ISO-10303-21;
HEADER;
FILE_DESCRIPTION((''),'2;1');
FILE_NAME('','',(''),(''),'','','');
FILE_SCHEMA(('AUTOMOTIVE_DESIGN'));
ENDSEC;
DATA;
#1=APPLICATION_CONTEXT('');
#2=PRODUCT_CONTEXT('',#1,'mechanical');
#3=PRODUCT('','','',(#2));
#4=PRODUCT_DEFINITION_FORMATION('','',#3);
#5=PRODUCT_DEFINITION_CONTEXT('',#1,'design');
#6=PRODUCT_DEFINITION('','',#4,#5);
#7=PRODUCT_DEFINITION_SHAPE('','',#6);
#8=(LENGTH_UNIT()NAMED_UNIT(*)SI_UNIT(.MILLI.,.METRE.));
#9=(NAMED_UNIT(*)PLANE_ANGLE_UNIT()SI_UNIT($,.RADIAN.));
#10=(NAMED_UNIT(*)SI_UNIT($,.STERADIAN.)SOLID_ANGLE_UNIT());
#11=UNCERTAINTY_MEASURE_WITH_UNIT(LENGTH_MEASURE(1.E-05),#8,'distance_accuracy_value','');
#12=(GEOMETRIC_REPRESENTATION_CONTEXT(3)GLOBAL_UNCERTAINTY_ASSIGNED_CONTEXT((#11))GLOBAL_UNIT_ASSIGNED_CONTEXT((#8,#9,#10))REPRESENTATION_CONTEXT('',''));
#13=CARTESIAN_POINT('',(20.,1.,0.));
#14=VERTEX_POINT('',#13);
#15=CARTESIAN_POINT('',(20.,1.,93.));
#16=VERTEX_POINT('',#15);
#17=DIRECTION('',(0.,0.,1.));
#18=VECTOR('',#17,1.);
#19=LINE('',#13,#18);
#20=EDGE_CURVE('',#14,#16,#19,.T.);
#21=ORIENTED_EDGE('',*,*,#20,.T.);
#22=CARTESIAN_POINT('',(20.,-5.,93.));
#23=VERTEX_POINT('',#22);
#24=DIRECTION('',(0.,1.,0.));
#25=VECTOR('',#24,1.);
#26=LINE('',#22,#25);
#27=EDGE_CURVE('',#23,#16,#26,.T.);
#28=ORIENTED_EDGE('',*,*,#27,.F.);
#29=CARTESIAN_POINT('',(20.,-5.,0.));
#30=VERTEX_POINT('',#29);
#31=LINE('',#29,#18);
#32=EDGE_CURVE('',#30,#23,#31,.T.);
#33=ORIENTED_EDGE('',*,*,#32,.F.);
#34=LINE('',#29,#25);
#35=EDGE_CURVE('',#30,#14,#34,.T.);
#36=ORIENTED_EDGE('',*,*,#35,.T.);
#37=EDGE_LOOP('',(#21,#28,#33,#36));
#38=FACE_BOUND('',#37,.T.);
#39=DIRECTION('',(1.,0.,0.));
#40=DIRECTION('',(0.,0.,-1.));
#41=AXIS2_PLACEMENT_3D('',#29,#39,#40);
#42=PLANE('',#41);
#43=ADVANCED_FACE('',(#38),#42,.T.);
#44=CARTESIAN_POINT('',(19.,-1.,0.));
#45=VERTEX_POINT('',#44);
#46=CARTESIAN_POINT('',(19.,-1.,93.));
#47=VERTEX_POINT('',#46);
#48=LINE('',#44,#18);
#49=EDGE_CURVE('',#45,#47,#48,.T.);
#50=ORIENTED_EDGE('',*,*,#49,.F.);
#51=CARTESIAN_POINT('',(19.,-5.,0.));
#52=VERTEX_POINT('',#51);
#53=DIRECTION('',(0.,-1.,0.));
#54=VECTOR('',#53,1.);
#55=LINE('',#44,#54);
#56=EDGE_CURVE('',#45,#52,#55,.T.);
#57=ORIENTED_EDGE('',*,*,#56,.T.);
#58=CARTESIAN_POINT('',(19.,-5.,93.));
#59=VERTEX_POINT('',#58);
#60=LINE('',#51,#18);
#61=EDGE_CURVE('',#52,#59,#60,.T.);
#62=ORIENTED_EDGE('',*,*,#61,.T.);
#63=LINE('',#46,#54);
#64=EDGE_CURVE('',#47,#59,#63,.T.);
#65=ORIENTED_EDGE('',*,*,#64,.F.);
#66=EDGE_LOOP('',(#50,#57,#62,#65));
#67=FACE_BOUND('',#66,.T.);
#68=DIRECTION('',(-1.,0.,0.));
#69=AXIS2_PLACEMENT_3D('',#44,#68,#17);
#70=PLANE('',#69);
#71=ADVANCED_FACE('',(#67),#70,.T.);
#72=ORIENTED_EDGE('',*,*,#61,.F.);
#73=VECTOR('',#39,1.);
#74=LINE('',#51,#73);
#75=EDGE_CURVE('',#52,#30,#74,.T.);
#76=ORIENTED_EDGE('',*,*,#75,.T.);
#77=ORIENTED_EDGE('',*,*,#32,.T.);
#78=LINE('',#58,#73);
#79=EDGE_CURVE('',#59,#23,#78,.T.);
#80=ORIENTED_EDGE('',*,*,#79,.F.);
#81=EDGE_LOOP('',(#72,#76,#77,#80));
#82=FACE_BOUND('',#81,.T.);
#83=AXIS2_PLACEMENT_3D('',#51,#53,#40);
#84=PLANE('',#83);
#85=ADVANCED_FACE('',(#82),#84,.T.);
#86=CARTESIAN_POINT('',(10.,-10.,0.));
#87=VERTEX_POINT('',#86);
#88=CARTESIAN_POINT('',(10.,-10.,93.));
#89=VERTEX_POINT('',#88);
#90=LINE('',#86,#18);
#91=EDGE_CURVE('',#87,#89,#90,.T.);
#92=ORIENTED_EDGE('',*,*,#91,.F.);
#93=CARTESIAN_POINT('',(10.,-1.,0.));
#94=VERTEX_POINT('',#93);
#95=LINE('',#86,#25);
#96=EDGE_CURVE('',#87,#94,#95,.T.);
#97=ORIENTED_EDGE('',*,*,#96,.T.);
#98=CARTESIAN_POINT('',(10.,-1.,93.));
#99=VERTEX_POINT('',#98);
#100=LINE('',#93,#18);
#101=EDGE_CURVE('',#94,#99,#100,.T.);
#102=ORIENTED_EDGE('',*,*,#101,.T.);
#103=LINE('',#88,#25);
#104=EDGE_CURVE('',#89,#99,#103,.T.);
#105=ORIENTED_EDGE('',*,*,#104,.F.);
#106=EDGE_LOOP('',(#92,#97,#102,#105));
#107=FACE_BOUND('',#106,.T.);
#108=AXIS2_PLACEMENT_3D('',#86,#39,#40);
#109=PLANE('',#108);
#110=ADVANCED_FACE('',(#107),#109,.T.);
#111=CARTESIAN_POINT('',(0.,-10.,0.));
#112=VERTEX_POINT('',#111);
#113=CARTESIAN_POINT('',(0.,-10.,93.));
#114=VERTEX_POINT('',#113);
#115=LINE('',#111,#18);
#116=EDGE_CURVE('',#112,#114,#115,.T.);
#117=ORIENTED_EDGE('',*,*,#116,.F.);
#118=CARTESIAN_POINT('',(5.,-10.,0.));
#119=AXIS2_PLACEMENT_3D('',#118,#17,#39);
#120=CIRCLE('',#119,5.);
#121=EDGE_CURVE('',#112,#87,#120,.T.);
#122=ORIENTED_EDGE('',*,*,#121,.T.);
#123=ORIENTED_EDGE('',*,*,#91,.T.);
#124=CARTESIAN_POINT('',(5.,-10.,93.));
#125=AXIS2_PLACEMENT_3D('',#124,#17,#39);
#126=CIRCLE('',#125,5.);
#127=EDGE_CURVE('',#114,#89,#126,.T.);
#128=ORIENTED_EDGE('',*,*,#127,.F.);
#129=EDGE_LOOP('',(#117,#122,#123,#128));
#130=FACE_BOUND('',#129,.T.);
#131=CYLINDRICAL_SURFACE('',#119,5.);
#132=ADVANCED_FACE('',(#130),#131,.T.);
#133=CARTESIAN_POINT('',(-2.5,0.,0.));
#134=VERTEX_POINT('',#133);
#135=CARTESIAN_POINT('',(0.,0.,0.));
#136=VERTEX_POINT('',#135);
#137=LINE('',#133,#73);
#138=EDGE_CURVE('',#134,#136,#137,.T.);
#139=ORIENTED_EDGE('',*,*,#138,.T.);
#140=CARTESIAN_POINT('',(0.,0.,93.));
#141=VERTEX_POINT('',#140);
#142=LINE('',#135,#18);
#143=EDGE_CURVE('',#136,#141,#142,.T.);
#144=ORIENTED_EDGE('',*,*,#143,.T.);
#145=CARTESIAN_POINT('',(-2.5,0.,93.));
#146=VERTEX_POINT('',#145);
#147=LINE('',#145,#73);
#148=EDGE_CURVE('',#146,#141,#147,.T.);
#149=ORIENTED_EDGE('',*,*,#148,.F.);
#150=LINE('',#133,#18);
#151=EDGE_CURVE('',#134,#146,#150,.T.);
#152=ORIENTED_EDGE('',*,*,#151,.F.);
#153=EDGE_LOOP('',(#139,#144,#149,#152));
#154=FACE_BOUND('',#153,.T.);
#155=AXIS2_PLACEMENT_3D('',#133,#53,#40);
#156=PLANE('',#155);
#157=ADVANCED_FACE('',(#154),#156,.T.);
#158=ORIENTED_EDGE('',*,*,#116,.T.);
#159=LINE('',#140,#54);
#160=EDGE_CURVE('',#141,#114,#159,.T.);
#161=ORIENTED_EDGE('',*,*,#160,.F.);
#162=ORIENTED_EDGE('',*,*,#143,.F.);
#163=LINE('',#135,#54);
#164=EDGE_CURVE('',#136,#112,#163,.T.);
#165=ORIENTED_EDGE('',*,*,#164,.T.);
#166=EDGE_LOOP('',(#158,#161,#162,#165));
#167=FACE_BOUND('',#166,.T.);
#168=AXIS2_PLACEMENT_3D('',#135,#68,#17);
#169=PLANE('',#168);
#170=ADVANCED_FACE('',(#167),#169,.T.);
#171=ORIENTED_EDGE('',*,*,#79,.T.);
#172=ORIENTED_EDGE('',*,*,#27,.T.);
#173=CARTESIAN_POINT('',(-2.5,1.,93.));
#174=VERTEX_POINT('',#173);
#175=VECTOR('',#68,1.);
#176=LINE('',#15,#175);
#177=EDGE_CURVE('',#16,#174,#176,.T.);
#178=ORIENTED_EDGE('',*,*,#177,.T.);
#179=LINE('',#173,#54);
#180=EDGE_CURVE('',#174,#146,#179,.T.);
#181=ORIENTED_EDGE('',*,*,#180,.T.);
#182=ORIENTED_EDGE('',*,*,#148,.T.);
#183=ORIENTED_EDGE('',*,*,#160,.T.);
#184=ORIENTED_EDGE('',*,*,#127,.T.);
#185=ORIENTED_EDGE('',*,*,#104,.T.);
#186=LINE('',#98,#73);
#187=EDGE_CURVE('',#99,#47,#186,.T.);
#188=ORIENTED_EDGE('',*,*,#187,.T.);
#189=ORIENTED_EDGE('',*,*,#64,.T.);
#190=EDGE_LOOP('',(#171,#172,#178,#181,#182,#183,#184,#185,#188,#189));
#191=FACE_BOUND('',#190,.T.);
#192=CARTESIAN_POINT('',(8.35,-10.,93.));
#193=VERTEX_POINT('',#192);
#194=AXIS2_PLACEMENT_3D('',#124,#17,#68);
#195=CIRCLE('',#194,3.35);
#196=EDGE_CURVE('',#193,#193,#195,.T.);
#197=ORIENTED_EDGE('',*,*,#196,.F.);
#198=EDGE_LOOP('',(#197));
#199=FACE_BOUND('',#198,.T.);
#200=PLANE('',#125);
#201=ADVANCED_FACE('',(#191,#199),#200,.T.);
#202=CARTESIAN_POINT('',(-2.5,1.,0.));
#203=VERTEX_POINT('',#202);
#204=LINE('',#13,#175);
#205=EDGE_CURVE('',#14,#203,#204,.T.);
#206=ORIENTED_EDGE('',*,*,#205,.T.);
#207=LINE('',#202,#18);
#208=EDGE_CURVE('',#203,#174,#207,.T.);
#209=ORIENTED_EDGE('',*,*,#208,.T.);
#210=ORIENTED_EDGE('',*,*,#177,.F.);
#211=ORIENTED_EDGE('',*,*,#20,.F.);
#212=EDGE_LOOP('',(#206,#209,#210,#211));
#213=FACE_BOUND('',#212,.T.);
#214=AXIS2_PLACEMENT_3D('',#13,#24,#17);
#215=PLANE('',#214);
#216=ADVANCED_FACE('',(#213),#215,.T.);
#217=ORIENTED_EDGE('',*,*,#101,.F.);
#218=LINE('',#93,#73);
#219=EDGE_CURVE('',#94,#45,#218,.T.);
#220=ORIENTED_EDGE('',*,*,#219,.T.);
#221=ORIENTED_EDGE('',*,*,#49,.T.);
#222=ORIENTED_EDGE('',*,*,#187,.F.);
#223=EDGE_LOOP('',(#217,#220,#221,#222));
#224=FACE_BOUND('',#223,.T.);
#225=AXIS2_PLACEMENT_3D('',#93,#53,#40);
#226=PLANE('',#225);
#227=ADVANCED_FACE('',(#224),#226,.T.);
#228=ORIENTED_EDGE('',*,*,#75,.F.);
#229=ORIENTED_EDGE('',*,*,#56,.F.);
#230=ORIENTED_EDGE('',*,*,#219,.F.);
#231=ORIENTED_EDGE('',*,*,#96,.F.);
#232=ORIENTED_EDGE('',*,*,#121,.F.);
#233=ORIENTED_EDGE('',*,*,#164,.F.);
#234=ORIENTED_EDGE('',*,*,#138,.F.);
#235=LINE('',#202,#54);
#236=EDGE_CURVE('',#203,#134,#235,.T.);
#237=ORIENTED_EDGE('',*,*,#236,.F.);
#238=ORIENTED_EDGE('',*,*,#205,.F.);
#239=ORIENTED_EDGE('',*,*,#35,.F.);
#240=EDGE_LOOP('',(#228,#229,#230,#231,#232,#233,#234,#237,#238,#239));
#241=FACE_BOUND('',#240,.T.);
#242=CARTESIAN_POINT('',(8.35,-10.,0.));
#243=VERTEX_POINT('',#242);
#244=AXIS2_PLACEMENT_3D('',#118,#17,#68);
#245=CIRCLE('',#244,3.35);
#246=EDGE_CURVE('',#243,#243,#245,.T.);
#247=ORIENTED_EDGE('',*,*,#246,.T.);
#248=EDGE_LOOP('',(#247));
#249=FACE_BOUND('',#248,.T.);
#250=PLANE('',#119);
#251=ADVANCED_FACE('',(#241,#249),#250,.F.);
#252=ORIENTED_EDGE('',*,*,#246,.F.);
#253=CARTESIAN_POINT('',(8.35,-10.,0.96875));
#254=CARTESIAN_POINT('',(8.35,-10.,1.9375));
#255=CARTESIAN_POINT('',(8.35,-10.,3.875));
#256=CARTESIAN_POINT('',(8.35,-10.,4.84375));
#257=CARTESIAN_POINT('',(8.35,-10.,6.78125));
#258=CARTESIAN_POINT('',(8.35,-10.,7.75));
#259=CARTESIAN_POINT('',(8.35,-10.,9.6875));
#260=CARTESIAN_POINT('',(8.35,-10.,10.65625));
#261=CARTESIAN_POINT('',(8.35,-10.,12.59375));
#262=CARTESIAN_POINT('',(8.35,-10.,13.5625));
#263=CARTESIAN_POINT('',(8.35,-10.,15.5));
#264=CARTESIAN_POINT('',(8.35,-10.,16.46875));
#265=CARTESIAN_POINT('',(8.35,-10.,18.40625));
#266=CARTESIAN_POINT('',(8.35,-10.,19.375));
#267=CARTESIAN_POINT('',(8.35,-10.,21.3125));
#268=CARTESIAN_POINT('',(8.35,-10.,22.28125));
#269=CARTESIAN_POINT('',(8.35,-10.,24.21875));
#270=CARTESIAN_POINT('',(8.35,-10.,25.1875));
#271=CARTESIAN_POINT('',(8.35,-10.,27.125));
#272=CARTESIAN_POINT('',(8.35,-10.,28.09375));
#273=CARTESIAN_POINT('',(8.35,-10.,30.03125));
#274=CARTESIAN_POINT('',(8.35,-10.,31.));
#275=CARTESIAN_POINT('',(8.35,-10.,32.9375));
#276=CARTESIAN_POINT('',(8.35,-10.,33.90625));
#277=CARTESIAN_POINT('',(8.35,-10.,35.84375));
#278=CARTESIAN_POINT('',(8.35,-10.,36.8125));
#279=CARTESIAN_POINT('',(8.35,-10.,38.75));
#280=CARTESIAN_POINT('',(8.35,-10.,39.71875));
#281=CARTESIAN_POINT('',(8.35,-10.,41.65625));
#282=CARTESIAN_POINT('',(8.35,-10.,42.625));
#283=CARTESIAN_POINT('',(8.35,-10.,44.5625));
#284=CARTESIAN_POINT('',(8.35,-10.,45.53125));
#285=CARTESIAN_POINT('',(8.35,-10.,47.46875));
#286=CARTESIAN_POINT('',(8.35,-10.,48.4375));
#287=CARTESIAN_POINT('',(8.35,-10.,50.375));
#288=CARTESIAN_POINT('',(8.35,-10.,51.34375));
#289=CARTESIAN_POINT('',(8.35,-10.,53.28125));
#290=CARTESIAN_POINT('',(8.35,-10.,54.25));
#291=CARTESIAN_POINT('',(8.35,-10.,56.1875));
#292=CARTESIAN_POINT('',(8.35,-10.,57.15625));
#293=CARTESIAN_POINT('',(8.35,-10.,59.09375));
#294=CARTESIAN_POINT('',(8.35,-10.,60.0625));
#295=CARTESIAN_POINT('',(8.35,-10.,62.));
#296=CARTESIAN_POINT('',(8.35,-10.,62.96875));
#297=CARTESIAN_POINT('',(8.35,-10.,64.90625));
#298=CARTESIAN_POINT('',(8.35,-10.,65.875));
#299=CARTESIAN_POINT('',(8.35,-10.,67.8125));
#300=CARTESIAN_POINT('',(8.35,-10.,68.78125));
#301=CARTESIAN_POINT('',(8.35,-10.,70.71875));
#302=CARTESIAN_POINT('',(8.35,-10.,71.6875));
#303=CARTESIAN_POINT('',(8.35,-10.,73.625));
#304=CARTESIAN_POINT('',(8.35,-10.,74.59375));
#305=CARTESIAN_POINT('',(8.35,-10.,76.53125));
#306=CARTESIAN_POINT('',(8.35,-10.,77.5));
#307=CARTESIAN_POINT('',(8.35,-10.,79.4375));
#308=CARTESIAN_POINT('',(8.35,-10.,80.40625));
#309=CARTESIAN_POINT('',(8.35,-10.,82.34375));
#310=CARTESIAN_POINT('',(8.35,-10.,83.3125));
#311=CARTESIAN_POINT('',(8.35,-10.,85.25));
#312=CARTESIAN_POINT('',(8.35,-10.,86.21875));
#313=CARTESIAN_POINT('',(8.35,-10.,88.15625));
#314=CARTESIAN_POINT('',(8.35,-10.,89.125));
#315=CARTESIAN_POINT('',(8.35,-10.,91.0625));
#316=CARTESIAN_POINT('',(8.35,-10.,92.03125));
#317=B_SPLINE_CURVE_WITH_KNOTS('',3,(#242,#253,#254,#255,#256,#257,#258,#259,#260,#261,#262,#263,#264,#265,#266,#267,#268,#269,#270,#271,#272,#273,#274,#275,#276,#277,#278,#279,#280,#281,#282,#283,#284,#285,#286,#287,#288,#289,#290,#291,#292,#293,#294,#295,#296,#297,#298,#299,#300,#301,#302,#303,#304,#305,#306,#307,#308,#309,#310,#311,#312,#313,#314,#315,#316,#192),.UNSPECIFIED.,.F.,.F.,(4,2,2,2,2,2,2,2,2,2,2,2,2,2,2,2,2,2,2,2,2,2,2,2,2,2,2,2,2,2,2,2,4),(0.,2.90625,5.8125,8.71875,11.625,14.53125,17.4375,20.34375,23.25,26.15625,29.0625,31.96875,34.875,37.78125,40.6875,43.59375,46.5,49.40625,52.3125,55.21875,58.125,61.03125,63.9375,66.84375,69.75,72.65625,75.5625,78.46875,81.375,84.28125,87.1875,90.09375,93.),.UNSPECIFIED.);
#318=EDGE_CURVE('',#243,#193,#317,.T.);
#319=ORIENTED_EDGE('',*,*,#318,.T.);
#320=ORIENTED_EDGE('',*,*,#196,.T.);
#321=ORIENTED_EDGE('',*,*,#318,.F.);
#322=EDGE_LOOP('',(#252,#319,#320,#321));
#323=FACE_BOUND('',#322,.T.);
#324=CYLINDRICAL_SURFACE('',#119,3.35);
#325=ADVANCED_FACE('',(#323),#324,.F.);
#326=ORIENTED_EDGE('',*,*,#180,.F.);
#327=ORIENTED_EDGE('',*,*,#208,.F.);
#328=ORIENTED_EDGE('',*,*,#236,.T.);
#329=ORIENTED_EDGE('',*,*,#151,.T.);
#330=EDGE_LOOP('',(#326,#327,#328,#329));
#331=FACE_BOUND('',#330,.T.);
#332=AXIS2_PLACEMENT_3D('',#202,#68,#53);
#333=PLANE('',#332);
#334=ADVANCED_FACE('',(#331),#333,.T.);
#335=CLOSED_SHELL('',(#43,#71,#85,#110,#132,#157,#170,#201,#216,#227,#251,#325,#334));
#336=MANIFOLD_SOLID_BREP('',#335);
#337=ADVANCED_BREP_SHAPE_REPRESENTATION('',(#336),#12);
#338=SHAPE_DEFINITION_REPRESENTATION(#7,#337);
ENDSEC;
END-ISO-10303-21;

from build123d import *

# Parameters (mm, degrees)
SKETCH_1_R      = 3.35
EXTRUDE_1_DEPTH = 93


with BuildPart() as part:
    # Эскиз1 → Бобышка-Вытянуть1 (new body)
    with BuildSketch(Plane.XY.offset(93)):
        with BuildLine():
            Line((-2.5, 0), (0, 0))
            Line((0, 0), (0, -10))
            ThreePointArc((0, -10), (5, -15), (10, -10))
            Line((10, -10), (10, -1))
            Line((10, -1), (19, -1))
            Line((19, -1), (19, -5))
            Line((19, -5), (20, -5))
            Line((20, -5), (20, 1))
            Line((20, 1), (-2.5, 1))
            Line((-2.5, 1), (-2.5, 0))
        make_face()
        with Locations((5, -10)):
            Circle(SKETCH_1_R, mode=Mode.SUBTRACT)
    extrude(amount=-EXTRUDE_1_DEPTH)


solid = part.part
